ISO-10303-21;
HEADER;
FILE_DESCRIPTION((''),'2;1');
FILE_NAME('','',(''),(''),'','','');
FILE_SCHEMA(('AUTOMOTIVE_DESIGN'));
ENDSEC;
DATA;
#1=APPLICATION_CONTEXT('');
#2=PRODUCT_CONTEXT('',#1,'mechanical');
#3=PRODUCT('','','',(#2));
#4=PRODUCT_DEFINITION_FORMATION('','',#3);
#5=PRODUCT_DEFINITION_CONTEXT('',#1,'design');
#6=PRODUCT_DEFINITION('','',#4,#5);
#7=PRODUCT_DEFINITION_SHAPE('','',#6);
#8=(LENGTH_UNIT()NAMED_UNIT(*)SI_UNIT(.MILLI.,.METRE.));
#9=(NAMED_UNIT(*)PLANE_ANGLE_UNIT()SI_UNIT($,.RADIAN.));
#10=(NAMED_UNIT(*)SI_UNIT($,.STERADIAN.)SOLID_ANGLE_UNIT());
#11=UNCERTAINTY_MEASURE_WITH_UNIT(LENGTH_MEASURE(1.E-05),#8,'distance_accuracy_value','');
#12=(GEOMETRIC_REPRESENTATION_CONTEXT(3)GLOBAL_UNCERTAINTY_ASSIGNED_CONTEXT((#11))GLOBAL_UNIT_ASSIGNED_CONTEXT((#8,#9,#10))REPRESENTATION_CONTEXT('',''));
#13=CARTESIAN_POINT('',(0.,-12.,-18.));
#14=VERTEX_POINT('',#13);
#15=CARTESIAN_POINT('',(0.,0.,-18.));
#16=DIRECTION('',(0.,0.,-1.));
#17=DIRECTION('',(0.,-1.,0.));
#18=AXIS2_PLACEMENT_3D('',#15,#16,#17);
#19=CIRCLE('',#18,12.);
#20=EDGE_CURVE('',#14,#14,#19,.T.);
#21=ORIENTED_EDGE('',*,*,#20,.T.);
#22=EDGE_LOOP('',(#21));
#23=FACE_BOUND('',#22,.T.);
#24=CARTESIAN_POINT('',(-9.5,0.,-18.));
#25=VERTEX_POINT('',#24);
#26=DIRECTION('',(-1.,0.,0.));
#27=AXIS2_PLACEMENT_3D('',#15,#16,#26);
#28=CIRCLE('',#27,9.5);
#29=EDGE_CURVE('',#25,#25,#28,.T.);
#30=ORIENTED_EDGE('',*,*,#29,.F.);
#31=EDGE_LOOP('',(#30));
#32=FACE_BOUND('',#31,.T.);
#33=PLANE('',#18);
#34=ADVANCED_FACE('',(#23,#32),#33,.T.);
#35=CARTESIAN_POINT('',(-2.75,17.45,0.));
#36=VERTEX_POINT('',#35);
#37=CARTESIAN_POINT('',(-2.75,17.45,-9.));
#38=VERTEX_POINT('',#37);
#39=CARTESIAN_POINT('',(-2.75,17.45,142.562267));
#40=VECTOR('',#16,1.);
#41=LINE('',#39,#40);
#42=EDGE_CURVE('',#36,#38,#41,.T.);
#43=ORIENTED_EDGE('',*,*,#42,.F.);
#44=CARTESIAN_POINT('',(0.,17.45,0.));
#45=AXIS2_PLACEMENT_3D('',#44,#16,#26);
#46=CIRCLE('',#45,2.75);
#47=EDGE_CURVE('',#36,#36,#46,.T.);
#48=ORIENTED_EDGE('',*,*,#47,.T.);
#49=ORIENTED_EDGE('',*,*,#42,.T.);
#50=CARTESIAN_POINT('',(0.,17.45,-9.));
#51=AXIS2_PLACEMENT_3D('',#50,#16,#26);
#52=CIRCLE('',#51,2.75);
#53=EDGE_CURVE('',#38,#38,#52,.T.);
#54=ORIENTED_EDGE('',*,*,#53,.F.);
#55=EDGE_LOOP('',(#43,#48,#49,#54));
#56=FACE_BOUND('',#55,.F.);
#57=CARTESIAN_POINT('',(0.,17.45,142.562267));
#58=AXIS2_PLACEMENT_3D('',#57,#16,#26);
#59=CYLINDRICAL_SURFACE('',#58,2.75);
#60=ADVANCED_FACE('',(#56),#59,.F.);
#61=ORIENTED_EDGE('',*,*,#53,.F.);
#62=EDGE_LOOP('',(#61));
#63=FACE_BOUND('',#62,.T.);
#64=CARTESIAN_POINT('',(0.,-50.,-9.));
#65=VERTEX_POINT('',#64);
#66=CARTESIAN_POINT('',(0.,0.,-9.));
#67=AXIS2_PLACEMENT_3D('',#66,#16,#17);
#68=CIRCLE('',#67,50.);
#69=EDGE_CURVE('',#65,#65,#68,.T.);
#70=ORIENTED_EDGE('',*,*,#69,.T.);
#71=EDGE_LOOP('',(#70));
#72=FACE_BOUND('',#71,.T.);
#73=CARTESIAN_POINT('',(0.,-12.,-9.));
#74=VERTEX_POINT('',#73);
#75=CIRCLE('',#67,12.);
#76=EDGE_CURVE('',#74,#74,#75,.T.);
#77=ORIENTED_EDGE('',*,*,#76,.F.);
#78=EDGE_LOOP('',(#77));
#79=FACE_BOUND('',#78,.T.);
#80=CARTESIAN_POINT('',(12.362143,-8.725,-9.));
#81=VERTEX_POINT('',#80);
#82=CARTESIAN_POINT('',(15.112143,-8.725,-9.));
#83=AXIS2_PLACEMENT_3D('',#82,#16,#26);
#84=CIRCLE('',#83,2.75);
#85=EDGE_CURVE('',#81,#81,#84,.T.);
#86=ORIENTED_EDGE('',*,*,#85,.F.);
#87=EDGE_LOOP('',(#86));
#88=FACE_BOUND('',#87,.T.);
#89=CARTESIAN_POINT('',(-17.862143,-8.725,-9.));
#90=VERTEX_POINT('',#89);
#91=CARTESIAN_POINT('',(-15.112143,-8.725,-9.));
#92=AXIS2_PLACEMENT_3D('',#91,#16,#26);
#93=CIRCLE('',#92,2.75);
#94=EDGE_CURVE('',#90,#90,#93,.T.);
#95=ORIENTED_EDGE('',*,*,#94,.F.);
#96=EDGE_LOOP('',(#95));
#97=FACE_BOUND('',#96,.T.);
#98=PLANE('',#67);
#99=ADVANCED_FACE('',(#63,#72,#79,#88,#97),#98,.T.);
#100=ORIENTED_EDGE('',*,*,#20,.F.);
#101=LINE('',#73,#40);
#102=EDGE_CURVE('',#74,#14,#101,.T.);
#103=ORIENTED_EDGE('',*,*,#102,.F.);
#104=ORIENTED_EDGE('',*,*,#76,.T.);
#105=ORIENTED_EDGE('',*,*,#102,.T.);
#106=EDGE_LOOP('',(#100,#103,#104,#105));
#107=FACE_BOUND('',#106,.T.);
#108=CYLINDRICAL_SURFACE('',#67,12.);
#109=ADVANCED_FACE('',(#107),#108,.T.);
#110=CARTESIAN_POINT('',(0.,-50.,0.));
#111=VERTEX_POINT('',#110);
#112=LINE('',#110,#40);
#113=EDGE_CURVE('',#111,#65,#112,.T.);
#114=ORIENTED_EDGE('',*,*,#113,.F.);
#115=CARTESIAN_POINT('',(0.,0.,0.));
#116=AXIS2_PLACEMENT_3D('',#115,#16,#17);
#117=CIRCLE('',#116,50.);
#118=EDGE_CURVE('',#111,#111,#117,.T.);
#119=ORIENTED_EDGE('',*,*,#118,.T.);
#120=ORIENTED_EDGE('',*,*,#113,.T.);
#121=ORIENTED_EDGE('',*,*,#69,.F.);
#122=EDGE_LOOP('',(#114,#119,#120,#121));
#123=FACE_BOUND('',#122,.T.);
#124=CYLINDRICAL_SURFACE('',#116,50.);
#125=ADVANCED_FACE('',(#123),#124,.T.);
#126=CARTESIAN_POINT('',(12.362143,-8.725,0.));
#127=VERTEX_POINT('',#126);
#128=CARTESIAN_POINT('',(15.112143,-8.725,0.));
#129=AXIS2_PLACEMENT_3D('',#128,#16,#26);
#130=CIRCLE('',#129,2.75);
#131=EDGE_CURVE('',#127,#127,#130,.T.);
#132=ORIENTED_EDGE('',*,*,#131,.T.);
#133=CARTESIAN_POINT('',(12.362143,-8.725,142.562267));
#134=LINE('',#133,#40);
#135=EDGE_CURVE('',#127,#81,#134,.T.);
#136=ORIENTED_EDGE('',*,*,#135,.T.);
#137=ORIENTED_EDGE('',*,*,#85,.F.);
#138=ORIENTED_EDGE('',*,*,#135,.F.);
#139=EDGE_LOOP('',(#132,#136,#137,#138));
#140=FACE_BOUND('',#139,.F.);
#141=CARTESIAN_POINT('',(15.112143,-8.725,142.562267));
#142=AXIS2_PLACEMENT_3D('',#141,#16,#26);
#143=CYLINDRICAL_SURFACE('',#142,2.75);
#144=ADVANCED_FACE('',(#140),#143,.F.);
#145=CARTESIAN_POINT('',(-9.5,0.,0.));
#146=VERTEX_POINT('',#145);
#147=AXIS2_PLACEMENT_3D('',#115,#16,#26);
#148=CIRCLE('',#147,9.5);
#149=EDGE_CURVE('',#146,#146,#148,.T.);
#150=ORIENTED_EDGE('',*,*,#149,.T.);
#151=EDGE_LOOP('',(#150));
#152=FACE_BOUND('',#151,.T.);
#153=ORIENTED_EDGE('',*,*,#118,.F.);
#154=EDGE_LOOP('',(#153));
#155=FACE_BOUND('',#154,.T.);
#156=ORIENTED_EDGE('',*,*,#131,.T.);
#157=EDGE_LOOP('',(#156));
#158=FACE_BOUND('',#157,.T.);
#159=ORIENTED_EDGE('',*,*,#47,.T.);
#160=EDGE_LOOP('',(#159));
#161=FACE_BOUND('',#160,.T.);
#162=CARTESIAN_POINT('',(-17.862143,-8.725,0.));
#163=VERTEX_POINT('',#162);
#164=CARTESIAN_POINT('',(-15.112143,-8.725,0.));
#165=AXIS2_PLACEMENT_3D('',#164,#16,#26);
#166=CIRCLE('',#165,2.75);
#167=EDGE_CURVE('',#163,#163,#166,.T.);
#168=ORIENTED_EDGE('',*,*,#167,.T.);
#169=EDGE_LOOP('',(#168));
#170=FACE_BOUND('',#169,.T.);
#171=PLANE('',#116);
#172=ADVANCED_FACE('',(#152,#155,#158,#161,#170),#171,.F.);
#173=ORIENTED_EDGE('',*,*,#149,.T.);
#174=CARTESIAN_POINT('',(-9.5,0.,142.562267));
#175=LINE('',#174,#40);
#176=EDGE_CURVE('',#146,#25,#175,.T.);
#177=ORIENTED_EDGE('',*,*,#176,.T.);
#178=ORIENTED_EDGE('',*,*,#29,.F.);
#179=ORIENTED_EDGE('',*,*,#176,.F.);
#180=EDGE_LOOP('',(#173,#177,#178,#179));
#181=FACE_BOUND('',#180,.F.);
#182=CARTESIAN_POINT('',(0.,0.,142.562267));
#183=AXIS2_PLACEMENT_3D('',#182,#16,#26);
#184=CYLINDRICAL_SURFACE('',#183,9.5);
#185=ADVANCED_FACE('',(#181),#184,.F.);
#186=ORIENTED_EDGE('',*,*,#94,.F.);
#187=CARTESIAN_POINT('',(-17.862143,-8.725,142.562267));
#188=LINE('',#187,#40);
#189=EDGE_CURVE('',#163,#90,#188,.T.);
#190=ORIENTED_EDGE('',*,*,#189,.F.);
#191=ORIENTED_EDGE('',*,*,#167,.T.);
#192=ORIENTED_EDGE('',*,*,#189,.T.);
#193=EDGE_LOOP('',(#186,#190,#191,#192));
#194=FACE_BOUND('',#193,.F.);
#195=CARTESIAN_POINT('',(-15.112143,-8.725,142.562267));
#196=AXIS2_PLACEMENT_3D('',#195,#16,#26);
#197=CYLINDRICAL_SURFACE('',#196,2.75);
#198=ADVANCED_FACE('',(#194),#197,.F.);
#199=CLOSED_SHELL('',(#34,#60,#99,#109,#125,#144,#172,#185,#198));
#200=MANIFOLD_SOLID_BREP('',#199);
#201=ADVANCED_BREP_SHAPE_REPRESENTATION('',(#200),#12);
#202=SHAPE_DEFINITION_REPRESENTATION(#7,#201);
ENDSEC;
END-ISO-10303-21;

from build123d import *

# Parameters (mm, degrees)
F3_D = 19
F5_D = 5.5


with BuildPart() as f1:
    # F0 (on Right) → F1 (revolve)
    with BuildSketch(Plane.YZ):
        Polygon((-6, -18), (-6, 0), (-50, 0), (-50, -9), (-12, -9), (-12, -18), align=None)
    revolve(axis=Axis((0, 0, -9.1057028621), (0, 0, -1)))

    # F3 (through all)
    with Locations(Plane.XY):
        with Locations((0, 0)):
            Hole(F3_D / 2)

    # F5 (through all)
    with Locations(Plane.XY):
        with Locations((-15.112143296, -8.725), (0, 17.45), (15.112143296, -8.725)):
            Hole(F5_D / 2)


solid = f1.part
